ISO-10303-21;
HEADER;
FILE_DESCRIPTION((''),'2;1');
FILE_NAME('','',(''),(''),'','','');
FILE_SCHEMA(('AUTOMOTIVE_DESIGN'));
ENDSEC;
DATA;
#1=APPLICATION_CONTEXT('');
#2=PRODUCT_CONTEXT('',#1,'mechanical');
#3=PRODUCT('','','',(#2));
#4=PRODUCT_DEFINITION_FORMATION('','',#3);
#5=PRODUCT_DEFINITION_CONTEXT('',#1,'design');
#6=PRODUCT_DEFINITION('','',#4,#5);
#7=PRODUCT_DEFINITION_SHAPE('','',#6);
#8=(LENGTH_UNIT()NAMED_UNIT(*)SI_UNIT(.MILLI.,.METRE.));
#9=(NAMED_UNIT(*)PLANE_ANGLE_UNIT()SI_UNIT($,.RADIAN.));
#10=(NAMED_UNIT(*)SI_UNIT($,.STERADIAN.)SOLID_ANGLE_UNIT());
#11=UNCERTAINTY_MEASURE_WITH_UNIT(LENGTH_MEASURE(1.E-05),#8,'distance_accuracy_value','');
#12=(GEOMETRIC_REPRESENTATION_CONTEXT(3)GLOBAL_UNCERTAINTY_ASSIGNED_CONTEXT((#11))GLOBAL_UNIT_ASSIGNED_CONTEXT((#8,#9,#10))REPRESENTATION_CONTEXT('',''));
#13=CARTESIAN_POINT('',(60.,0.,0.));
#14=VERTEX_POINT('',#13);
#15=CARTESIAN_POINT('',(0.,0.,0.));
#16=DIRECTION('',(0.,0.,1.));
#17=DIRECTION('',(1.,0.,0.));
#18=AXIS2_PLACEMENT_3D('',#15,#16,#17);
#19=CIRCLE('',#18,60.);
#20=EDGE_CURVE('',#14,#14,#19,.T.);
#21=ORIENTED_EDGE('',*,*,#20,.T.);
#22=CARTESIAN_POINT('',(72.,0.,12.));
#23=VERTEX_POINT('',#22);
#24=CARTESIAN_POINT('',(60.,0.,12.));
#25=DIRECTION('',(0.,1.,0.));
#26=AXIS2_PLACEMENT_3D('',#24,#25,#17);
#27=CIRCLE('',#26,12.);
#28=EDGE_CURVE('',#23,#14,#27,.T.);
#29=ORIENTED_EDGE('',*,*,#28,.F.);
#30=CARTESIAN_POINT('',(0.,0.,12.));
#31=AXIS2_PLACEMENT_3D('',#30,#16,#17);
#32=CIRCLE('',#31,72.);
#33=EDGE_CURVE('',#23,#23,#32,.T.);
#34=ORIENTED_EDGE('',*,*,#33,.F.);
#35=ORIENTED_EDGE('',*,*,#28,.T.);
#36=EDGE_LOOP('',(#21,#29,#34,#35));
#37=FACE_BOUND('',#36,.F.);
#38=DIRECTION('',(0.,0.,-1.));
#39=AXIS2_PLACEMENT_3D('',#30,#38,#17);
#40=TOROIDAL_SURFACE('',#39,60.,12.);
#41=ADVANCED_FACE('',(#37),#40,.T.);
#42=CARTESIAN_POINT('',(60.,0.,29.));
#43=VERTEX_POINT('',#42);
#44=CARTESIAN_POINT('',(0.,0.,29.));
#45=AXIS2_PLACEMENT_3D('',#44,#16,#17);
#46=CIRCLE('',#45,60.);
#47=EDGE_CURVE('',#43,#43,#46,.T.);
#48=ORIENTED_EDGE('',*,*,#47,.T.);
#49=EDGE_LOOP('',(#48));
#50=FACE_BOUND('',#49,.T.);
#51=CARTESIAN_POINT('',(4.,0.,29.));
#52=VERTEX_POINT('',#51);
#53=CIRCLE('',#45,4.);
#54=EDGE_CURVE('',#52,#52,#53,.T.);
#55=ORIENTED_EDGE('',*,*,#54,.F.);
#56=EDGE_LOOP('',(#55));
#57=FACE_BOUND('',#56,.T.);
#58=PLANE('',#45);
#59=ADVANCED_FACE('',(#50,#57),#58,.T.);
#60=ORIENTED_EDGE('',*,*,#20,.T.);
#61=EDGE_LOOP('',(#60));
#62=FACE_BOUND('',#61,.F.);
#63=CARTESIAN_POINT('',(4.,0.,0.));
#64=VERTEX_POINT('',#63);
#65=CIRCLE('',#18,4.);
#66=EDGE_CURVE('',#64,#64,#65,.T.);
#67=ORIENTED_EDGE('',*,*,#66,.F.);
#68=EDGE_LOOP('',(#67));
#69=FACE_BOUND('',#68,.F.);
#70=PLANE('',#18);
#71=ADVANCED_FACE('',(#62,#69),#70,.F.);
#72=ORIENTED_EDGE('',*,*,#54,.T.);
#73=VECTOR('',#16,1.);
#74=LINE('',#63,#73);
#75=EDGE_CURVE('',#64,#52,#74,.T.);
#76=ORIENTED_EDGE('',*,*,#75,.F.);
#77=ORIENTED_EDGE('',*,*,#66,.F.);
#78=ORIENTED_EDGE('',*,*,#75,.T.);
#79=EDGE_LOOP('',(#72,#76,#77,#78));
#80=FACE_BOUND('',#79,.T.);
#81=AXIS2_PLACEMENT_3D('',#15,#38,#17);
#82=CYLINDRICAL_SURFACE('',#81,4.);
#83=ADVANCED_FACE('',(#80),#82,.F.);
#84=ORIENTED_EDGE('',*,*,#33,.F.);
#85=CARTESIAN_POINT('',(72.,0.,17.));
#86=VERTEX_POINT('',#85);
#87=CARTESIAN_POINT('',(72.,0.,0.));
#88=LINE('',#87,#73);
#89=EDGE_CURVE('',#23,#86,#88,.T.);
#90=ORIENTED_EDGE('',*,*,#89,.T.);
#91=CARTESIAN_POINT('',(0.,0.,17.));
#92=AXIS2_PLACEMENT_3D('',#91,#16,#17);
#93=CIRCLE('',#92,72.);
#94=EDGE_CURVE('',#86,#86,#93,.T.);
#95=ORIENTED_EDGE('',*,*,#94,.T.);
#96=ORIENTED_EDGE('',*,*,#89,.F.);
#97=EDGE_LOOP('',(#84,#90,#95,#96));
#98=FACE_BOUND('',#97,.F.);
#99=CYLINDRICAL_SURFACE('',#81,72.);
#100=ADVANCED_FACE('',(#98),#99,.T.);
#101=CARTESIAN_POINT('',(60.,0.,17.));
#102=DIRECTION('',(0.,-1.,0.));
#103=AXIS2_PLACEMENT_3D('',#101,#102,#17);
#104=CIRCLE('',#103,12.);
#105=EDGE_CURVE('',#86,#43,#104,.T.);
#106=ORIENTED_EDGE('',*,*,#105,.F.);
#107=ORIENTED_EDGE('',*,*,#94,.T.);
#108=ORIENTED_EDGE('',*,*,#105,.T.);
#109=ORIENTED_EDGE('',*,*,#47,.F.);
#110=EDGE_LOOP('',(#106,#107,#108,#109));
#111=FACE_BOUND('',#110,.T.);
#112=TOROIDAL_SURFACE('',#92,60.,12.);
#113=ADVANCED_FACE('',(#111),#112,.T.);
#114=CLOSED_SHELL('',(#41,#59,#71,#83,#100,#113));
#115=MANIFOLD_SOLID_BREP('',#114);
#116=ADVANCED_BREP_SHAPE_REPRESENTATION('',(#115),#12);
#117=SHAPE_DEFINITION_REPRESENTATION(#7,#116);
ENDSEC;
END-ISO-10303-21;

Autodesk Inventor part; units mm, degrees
ref_plane "YZ Plane" through (0, 0, 0) normal (1, 0, 0) x (0, 1, 0)
ref_plane "XZ Plane" through (0, 0, 0) normal (0, 1, 0) x (-1, 0, 0)
ref_plane "XY Plane" through (0, 0, 0) normal (0, 0, 1) x (1, 0, 0)
sketch "Sketch1" plane through (0, 0, 0) normal (0, 0, 1) x (1, 0, 0)
  circle A0 centre (0, 0) radius 4
  circle A1 centre (0, 0) radius 72
  dimension "d0" = 8
  dimension "d1" = 144
extrude "Extrusion1" add sketch "Sketch1" along normal blind 29
fillet "Fillet1" radius 12 2 edges at (-72, 0, 29) (-72, 0, 0)
properties part number "Scooter Wheel" material "Rubber"
